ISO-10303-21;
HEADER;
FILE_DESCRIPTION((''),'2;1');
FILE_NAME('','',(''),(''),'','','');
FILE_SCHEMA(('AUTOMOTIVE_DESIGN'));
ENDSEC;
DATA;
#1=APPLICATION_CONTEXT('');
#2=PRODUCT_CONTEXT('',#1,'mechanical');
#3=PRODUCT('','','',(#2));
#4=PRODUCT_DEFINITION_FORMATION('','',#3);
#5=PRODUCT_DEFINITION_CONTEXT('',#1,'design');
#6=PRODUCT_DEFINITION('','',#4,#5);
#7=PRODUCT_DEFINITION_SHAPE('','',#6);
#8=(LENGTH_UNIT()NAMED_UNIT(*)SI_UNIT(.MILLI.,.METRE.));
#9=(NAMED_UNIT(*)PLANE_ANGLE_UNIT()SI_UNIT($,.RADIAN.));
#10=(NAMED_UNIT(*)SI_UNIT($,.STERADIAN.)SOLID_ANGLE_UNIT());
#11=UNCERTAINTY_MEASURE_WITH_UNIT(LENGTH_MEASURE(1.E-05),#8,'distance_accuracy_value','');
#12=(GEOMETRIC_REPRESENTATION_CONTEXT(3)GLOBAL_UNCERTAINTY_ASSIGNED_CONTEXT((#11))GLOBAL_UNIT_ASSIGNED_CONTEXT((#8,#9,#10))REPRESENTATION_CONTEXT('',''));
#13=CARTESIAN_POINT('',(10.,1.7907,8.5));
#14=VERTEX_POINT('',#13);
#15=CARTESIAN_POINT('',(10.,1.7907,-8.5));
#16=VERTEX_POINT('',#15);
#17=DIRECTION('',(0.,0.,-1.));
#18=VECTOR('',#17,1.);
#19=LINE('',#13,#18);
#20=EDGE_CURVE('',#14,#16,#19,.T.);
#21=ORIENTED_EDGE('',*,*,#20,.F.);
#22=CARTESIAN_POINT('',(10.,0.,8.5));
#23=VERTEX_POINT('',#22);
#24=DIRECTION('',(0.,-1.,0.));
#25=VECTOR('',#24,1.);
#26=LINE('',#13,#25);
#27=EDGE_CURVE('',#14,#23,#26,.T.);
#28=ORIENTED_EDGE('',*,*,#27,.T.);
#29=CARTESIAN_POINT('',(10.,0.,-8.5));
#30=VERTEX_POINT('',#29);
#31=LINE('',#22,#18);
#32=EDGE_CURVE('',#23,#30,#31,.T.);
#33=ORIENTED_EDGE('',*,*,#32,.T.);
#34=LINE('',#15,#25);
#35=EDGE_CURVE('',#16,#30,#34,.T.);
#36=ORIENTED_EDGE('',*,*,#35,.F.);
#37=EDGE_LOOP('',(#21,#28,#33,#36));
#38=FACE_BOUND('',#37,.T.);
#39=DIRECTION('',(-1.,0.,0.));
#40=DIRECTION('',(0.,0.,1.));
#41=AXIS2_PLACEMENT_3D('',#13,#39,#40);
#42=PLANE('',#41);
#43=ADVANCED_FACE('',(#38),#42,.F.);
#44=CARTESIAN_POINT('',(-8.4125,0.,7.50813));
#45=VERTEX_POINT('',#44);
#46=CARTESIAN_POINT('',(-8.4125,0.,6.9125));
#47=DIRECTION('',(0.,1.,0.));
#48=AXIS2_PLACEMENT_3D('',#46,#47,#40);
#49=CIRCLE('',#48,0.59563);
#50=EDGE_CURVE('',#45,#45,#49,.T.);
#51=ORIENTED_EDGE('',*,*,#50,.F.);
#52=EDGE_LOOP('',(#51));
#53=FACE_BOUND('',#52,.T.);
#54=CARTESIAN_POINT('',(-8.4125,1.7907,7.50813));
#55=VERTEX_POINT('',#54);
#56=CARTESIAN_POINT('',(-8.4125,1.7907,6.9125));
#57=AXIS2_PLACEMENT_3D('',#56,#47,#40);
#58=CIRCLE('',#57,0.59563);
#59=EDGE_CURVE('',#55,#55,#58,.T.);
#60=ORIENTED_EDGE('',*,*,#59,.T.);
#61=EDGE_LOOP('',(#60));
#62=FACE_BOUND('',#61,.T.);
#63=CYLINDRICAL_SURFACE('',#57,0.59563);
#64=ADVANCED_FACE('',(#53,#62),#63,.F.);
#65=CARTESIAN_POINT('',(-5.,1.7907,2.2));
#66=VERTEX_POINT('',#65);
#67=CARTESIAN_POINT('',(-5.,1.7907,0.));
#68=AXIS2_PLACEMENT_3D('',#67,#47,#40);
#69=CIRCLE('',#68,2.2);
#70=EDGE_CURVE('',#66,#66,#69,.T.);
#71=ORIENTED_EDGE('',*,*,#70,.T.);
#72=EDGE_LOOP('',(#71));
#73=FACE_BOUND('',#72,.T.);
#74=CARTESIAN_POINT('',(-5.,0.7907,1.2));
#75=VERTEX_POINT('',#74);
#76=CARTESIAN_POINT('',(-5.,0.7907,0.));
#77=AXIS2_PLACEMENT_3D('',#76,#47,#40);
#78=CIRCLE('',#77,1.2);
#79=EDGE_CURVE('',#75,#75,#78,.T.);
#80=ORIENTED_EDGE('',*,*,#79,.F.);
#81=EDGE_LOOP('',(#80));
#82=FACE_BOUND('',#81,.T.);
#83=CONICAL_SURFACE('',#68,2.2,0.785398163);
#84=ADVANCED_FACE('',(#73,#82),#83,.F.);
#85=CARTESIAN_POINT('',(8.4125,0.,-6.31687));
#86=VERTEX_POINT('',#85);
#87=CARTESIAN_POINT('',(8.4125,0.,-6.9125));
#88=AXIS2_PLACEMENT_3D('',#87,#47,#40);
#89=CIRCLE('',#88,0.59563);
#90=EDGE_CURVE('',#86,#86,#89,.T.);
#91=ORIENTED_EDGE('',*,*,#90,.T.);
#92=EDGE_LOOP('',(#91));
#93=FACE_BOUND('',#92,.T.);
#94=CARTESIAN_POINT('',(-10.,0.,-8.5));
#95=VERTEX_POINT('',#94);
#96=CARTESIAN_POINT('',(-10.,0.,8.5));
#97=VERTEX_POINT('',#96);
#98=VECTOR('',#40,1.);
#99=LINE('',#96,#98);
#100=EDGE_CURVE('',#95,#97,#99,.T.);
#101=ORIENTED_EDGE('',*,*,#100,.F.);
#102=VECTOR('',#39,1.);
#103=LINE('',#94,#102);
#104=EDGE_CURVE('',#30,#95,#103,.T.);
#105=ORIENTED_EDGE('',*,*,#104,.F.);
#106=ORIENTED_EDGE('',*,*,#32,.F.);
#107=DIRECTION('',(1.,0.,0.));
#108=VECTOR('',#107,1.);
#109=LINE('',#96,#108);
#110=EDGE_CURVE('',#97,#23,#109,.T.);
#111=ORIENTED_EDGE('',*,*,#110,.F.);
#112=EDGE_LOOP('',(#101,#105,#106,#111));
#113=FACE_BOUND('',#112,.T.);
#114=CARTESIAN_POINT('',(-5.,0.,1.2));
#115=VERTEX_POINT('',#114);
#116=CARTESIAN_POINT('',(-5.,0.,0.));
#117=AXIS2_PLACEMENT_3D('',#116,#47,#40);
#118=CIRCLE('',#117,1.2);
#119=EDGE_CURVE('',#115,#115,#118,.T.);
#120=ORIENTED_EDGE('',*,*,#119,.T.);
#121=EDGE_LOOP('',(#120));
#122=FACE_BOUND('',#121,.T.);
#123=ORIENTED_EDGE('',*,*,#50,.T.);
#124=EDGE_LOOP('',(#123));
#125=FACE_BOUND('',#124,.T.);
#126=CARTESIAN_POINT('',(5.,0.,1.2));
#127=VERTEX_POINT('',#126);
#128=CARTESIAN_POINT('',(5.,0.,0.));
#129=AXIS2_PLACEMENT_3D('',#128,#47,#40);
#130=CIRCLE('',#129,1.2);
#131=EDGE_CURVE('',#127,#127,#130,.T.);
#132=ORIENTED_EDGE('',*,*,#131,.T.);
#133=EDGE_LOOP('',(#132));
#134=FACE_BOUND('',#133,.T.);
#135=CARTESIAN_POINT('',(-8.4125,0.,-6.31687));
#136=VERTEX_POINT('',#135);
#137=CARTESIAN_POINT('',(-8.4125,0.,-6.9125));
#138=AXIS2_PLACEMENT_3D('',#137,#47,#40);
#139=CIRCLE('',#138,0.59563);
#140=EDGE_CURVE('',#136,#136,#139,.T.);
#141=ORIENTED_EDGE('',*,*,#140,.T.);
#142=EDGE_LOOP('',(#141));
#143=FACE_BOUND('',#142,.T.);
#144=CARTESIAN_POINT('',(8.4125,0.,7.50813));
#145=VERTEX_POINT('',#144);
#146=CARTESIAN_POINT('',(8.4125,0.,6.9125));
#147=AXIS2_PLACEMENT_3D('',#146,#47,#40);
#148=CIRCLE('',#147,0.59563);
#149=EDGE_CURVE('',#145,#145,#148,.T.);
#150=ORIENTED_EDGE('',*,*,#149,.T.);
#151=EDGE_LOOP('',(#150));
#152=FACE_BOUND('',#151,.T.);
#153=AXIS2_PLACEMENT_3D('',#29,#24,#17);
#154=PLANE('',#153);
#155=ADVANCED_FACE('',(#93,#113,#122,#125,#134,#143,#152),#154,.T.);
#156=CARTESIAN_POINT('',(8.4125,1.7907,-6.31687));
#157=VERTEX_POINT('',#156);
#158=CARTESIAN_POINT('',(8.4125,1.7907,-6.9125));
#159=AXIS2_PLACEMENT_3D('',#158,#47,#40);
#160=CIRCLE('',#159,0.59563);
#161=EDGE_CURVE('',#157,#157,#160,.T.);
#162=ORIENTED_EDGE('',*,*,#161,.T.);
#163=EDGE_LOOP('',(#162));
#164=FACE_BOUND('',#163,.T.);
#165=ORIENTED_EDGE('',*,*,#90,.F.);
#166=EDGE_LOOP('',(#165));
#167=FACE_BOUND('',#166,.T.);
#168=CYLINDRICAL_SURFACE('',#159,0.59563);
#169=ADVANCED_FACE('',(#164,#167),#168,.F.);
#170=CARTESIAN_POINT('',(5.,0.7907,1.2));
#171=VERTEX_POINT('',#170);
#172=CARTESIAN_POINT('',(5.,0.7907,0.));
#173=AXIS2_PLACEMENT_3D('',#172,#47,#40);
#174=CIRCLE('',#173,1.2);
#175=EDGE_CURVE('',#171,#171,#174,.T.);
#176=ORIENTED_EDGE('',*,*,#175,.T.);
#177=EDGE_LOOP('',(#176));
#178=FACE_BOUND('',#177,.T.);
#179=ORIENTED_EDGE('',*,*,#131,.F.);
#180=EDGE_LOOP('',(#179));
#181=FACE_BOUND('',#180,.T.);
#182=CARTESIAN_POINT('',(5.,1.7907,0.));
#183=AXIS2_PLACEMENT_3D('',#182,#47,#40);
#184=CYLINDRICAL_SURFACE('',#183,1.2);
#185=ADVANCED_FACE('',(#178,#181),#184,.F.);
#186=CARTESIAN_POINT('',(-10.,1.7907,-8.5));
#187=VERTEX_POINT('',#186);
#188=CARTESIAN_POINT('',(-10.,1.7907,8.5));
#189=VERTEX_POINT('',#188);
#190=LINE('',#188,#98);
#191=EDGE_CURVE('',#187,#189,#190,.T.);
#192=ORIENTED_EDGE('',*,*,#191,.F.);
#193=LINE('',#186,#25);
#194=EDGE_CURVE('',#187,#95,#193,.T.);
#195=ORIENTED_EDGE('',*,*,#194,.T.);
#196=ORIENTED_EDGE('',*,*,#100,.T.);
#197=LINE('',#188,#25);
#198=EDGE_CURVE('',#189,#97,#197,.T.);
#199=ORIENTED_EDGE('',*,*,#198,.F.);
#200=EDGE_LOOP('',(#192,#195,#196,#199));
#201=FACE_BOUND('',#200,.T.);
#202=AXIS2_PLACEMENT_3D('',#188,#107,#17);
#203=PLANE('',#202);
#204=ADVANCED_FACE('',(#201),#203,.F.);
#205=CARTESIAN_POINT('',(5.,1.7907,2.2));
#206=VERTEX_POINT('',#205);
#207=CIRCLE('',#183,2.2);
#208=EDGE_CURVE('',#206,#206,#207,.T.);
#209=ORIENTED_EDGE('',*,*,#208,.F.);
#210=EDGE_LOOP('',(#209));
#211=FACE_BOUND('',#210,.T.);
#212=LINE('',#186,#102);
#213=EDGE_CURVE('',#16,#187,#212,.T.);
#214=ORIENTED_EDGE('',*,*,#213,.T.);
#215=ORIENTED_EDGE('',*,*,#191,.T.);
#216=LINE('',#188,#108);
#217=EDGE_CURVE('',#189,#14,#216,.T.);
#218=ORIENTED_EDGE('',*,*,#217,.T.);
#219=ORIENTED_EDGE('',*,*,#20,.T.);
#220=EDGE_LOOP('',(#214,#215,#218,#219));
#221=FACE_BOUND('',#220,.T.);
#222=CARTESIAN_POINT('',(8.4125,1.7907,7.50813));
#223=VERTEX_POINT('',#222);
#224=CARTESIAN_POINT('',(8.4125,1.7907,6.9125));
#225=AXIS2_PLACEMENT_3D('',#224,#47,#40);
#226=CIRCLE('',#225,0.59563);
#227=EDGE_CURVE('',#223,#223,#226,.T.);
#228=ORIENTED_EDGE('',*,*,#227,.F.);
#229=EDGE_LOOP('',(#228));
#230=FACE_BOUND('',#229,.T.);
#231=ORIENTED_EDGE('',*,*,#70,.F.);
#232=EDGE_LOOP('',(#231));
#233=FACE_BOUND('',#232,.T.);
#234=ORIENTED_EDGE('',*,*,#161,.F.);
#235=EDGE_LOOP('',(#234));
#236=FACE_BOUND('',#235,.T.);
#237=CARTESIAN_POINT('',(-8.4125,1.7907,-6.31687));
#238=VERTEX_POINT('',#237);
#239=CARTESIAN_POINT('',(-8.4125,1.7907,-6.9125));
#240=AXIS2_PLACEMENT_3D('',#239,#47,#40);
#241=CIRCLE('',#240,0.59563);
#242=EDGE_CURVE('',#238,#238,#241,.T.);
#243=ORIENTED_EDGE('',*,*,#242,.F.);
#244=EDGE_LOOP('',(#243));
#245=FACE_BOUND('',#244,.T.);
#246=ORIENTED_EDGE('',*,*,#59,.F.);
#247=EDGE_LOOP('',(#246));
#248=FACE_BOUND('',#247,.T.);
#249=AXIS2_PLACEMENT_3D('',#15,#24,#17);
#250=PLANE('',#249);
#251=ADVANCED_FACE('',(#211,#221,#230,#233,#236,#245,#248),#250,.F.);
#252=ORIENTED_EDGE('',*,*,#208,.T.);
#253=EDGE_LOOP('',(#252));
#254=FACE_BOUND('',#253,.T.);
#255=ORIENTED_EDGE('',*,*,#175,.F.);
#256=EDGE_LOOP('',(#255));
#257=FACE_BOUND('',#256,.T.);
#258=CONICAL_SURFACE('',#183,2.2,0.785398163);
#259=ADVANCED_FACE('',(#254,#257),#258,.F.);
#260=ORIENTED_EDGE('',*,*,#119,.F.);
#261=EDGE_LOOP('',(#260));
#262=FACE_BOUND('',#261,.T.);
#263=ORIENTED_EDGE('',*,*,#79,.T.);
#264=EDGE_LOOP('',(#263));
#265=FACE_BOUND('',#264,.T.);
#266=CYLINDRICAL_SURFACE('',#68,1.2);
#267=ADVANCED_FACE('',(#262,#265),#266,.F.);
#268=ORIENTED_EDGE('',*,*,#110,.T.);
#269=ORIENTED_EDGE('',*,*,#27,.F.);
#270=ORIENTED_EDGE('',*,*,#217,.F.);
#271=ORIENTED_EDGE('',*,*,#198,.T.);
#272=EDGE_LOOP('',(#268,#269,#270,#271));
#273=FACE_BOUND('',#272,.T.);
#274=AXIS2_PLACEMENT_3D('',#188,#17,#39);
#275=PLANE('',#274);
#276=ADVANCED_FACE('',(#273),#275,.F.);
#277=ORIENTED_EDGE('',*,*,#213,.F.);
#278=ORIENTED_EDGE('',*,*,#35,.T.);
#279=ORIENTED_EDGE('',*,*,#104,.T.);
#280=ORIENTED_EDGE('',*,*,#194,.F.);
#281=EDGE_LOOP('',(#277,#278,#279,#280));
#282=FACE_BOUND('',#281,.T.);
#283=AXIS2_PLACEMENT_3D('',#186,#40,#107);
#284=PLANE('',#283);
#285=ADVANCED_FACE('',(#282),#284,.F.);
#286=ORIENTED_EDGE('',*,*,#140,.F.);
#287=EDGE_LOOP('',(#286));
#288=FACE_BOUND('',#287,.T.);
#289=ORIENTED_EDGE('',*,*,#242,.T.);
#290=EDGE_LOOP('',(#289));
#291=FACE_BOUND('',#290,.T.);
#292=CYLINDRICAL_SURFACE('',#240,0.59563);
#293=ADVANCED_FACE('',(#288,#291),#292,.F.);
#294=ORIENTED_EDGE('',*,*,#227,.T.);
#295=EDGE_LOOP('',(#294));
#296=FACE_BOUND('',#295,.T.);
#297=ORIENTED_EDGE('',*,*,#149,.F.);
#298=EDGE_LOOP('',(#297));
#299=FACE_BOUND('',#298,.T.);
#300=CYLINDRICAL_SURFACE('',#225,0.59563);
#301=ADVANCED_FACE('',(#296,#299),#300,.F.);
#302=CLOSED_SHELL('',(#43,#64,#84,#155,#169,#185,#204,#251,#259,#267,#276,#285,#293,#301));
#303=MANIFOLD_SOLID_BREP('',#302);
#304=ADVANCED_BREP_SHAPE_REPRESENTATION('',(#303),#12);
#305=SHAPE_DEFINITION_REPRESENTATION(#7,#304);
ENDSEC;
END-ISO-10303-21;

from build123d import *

# Parameters (mm, degrees)
SKETCH1_W                                      = 20
SKETCH1_H                                      = 17
BOSS_EXTRUDE1_DEPTH                            = 1.7907
F_0_80_TAPPED_HOLE1_D                          = 1.19126
CSK_FOR_M2_FLAT_HEAD_MACHINE_SCREW1_AT_2_COUNT = 2
CSK_FOR_M2_FLAT_HEAD_MACHINE_SCREW1_AT_2_PITCH = 10


with BuildPart() as part:
    # Sketch1 → Boss-Extrude1 (new body)
    with BuildSketch(Plane(origin=(0, 0, 0), x_dir=(1, 0, 0), z_dir=(0, 1, 0))):
        Rectangle(SKETCH1_W, SKETCH1_H)
    extrude(amount=BOSS_EXTRUDE1_DEPTH)

    # #0-80 Tapped Hole1 (through all)
    with Locations(Plane(origin=(0, 1.7907, 0), x_dir=(-1, 0, 0), z_dir=(0, 1, 0))):
        with Locations((-8.4125, -6.9125), (-8.4125, 6.9125), (8.4125, -6.9125), (8.4125, 6.9125)):
            Hole(F_0_80_TAPPED_HOLE1_D / 2)

    # Sketch4 → CSK for M2 Flat Head Machine Screw1 (revolve, cut)
    with BuildSketch(Plane(origin=(-5, 1.7907, 0), x_dir=(0, 0, 1), z_dir=(1, 0, 0))):
        Polygon((0, 0), (0, 1.7907), (1.2, 1.7907), (1.2, 1), (2.2, 0), align=None)
    csk_for_m2_flat_head_machine_screw1 = revolve(axis=Axis((-5, 8.1407, 0), (0, -1, 0)), mode=Mode.SUBTRACT)

    # CSK for M2 Flat Head Machine Screw1 at 2: CSK for M2 Flat Head Machine Screw1 ×2
    with Locations(*[(i * CSK_FOR_M2_FLAT_HEAD_MACHINE_SCREW1_AT_2_PITCH, 0, 0) for i in range(1, CSK_FOR_M2_FLAT_HEAD_MACHINE_SCREW1_AT_2_COUNT)]):
        add(csk_for_m2_flat_head_machine_screw1, mode=Mode.SUBTRACT)


solid = part.part
